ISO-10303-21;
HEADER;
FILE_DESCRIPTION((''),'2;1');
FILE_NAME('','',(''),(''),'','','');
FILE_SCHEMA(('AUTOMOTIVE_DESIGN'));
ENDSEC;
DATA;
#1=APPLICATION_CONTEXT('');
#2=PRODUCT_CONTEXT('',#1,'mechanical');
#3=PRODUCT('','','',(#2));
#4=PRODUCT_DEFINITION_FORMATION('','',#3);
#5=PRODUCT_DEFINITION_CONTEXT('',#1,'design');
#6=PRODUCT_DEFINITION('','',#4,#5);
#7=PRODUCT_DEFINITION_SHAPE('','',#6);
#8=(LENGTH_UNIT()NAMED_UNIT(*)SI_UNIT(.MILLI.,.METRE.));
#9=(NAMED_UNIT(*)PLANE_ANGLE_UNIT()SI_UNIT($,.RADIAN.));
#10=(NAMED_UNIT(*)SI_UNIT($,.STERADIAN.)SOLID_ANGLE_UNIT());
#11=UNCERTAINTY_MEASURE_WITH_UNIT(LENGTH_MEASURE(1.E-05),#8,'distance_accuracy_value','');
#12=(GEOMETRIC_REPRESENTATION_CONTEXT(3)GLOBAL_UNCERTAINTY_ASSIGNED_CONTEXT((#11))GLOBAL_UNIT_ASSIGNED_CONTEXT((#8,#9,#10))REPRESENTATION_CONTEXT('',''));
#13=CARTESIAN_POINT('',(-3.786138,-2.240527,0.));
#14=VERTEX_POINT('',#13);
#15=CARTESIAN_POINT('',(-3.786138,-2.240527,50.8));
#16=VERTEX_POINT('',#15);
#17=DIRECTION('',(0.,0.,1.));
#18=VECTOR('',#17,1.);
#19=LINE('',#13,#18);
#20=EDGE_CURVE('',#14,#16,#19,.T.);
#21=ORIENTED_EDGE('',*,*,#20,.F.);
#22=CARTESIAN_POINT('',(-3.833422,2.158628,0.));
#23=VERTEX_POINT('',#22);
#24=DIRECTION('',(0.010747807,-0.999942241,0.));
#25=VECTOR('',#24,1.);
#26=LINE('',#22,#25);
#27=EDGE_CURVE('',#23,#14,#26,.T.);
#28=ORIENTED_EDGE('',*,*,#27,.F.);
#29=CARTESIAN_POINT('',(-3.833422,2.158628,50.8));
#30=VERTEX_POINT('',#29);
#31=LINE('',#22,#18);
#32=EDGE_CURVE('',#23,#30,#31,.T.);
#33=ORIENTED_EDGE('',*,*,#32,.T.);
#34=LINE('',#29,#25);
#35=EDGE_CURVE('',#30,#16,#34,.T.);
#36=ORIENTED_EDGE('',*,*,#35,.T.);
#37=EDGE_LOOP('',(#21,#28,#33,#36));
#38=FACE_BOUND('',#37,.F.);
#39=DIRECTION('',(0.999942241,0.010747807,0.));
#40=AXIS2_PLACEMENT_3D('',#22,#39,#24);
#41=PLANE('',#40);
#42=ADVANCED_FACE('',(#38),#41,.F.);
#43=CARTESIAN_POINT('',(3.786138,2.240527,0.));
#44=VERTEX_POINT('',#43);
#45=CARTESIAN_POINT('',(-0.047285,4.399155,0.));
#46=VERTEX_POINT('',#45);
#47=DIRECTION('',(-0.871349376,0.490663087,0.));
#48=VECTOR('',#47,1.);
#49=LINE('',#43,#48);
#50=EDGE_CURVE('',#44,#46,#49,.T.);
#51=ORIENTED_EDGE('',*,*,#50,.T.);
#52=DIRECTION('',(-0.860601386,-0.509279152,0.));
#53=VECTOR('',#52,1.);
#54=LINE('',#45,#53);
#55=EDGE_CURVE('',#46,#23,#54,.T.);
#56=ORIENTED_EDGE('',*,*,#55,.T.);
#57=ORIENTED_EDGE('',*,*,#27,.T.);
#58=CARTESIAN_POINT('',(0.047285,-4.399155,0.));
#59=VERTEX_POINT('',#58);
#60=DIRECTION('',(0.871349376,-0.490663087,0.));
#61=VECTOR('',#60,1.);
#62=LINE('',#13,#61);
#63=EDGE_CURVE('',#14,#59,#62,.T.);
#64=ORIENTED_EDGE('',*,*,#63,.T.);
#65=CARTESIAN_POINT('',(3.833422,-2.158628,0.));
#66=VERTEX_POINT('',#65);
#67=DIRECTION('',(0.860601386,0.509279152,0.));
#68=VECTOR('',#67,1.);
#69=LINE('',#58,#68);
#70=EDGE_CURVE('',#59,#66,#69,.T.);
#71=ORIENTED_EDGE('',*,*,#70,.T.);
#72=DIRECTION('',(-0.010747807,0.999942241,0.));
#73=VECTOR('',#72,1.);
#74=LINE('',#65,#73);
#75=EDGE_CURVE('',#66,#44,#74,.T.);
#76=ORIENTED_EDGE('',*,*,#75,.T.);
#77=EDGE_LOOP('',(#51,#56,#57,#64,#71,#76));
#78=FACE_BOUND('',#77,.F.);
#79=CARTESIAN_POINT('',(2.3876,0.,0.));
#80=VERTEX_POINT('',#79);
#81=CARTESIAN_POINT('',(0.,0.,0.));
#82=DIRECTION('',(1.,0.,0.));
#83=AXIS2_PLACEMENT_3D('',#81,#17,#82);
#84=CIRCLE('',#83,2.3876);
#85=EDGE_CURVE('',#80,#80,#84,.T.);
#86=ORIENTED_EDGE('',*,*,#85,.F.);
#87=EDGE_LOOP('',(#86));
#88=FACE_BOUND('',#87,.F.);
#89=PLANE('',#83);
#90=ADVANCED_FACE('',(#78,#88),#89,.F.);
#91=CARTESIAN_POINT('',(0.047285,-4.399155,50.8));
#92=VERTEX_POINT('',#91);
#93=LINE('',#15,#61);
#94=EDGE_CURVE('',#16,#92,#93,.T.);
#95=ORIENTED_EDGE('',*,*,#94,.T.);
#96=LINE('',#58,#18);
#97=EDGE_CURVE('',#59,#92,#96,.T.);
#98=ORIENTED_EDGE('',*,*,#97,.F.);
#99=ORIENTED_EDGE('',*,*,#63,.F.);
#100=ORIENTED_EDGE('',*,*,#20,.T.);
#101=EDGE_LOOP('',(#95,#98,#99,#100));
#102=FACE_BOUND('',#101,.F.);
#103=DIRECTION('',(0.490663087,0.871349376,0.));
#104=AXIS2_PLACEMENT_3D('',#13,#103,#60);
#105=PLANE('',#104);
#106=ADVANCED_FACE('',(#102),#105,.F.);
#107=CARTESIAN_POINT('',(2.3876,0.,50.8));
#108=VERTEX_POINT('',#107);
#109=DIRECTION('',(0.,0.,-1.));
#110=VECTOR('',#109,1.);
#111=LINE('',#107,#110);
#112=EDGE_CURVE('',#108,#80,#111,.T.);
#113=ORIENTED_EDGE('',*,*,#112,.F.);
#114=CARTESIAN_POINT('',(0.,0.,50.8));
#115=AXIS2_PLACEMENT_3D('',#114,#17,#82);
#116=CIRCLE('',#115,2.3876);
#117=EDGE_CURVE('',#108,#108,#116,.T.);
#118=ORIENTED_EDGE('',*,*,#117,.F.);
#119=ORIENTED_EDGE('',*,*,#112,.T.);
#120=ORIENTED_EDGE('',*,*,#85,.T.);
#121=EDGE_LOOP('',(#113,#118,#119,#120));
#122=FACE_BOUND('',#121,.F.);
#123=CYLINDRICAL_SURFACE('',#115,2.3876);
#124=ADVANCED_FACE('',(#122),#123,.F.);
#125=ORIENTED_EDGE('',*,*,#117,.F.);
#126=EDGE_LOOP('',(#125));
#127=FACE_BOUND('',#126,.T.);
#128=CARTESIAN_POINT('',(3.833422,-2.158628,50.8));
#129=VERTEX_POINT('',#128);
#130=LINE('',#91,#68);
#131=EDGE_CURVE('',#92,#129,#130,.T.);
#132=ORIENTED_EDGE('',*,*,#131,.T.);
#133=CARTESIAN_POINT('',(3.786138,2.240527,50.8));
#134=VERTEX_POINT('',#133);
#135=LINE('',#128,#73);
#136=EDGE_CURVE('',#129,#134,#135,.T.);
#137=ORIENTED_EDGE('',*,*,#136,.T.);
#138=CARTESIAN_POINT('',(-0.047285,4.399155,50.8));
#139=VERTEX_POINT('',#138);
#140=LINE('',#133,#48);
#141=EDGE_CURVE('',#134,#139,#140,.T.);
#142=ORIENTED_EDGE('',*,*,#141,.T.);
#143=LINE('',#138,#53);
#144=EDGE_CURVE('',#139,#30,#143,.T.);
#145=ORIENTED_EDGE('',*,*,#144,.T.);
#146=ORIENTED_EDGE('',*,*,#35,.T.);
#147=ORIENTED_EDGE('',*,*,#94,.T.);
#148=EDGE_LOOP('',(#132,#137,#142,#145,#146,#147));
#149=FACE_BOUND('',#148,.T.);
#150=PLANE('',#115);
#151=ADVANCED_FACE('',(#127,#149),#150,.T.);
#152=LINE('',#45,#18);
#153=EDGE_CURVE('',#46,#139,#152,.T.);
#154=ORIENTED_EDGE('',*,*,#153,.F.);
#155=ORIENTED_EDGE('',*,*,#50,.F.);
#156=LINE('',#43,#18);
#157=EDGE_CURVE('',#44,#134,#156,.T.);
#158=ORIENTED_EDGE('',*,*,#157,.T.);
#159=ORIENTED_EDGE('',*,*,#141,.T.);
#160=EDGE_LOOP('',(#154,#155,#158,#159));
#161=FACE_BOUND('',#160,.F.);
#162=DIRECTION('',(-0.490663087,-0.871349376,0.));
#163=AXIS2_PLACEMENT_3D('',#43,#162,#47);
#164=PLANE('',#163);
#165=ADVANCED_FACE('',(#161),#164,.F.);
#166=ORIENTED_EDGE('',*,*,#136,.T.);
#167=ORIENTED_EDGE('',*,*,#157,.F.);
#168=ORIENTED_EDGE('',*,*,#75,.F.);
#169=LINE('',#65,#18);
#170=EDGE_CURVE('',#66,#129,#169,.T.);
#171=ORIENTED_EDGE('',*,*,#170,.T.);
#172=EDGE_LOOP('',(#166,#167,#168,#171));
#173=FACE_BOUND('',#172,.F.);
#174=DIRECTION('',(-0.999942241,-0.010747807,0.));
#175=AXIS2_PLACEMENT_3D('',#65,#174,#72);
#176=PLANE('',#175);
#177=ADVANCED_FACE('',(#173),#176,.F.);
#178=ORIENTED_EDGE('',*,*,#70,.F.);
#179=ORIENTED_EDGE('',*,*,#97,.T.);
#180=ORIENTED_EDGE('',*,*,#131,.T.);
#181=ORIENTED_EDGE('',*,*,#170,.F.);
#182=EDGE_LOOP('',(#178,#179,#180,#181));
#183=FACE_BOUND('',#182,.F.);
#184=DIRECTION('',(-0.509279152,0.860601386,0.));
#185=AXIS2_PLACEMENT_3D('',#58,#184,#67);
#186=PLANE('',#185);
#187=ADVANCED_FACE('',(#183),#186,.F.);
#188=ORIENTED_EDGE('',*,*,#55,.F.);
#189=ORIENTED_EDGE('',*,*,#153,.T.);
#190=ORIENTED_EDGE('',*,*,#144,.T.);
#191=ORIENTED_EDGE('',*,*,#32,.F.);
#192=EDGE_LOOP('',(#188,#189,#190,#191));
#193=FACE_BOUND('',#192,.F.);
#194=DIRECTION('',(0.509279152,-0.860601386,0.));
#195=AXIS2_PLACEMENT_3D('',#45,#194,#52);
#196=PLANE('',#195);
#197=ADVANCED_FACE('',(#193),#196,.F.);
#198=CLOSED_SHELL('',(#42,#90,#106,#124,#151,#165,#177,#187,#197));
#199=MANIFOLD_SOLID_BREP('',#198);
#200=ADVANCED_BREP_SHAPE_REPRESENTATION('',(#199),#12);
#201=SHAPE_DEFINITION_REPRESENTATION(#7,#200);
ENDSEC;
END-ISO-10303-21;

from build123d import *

# Parameters (mm, degrees)
F1_DEPTH = 50.8
F2_R     = 2.3876
F3_DEPTH = 50.8


with BuildPart() as f1:
    # F0 (on Top) → F1 (new body)
    with BuildSketch(Plane.XY):
        Polygon((3.786138, 2.240527), (-0.047285, 4.399155), (-3.833422, 2.158628), (-3.786138, -2.240527), (0.047285, -4.399155), (3.833422, -2.158628), align=None)
    extrude(amount=F1_DEPTH)

    # F2 (on face) → F3 (cut)
    with BuildSketch(Plane.XY.offset(50.8)):
        Circle(F2_R)
    extrude(amount=-F3_DEPTH, mode=Mode.SUBTRACT)


solid = f1.part
